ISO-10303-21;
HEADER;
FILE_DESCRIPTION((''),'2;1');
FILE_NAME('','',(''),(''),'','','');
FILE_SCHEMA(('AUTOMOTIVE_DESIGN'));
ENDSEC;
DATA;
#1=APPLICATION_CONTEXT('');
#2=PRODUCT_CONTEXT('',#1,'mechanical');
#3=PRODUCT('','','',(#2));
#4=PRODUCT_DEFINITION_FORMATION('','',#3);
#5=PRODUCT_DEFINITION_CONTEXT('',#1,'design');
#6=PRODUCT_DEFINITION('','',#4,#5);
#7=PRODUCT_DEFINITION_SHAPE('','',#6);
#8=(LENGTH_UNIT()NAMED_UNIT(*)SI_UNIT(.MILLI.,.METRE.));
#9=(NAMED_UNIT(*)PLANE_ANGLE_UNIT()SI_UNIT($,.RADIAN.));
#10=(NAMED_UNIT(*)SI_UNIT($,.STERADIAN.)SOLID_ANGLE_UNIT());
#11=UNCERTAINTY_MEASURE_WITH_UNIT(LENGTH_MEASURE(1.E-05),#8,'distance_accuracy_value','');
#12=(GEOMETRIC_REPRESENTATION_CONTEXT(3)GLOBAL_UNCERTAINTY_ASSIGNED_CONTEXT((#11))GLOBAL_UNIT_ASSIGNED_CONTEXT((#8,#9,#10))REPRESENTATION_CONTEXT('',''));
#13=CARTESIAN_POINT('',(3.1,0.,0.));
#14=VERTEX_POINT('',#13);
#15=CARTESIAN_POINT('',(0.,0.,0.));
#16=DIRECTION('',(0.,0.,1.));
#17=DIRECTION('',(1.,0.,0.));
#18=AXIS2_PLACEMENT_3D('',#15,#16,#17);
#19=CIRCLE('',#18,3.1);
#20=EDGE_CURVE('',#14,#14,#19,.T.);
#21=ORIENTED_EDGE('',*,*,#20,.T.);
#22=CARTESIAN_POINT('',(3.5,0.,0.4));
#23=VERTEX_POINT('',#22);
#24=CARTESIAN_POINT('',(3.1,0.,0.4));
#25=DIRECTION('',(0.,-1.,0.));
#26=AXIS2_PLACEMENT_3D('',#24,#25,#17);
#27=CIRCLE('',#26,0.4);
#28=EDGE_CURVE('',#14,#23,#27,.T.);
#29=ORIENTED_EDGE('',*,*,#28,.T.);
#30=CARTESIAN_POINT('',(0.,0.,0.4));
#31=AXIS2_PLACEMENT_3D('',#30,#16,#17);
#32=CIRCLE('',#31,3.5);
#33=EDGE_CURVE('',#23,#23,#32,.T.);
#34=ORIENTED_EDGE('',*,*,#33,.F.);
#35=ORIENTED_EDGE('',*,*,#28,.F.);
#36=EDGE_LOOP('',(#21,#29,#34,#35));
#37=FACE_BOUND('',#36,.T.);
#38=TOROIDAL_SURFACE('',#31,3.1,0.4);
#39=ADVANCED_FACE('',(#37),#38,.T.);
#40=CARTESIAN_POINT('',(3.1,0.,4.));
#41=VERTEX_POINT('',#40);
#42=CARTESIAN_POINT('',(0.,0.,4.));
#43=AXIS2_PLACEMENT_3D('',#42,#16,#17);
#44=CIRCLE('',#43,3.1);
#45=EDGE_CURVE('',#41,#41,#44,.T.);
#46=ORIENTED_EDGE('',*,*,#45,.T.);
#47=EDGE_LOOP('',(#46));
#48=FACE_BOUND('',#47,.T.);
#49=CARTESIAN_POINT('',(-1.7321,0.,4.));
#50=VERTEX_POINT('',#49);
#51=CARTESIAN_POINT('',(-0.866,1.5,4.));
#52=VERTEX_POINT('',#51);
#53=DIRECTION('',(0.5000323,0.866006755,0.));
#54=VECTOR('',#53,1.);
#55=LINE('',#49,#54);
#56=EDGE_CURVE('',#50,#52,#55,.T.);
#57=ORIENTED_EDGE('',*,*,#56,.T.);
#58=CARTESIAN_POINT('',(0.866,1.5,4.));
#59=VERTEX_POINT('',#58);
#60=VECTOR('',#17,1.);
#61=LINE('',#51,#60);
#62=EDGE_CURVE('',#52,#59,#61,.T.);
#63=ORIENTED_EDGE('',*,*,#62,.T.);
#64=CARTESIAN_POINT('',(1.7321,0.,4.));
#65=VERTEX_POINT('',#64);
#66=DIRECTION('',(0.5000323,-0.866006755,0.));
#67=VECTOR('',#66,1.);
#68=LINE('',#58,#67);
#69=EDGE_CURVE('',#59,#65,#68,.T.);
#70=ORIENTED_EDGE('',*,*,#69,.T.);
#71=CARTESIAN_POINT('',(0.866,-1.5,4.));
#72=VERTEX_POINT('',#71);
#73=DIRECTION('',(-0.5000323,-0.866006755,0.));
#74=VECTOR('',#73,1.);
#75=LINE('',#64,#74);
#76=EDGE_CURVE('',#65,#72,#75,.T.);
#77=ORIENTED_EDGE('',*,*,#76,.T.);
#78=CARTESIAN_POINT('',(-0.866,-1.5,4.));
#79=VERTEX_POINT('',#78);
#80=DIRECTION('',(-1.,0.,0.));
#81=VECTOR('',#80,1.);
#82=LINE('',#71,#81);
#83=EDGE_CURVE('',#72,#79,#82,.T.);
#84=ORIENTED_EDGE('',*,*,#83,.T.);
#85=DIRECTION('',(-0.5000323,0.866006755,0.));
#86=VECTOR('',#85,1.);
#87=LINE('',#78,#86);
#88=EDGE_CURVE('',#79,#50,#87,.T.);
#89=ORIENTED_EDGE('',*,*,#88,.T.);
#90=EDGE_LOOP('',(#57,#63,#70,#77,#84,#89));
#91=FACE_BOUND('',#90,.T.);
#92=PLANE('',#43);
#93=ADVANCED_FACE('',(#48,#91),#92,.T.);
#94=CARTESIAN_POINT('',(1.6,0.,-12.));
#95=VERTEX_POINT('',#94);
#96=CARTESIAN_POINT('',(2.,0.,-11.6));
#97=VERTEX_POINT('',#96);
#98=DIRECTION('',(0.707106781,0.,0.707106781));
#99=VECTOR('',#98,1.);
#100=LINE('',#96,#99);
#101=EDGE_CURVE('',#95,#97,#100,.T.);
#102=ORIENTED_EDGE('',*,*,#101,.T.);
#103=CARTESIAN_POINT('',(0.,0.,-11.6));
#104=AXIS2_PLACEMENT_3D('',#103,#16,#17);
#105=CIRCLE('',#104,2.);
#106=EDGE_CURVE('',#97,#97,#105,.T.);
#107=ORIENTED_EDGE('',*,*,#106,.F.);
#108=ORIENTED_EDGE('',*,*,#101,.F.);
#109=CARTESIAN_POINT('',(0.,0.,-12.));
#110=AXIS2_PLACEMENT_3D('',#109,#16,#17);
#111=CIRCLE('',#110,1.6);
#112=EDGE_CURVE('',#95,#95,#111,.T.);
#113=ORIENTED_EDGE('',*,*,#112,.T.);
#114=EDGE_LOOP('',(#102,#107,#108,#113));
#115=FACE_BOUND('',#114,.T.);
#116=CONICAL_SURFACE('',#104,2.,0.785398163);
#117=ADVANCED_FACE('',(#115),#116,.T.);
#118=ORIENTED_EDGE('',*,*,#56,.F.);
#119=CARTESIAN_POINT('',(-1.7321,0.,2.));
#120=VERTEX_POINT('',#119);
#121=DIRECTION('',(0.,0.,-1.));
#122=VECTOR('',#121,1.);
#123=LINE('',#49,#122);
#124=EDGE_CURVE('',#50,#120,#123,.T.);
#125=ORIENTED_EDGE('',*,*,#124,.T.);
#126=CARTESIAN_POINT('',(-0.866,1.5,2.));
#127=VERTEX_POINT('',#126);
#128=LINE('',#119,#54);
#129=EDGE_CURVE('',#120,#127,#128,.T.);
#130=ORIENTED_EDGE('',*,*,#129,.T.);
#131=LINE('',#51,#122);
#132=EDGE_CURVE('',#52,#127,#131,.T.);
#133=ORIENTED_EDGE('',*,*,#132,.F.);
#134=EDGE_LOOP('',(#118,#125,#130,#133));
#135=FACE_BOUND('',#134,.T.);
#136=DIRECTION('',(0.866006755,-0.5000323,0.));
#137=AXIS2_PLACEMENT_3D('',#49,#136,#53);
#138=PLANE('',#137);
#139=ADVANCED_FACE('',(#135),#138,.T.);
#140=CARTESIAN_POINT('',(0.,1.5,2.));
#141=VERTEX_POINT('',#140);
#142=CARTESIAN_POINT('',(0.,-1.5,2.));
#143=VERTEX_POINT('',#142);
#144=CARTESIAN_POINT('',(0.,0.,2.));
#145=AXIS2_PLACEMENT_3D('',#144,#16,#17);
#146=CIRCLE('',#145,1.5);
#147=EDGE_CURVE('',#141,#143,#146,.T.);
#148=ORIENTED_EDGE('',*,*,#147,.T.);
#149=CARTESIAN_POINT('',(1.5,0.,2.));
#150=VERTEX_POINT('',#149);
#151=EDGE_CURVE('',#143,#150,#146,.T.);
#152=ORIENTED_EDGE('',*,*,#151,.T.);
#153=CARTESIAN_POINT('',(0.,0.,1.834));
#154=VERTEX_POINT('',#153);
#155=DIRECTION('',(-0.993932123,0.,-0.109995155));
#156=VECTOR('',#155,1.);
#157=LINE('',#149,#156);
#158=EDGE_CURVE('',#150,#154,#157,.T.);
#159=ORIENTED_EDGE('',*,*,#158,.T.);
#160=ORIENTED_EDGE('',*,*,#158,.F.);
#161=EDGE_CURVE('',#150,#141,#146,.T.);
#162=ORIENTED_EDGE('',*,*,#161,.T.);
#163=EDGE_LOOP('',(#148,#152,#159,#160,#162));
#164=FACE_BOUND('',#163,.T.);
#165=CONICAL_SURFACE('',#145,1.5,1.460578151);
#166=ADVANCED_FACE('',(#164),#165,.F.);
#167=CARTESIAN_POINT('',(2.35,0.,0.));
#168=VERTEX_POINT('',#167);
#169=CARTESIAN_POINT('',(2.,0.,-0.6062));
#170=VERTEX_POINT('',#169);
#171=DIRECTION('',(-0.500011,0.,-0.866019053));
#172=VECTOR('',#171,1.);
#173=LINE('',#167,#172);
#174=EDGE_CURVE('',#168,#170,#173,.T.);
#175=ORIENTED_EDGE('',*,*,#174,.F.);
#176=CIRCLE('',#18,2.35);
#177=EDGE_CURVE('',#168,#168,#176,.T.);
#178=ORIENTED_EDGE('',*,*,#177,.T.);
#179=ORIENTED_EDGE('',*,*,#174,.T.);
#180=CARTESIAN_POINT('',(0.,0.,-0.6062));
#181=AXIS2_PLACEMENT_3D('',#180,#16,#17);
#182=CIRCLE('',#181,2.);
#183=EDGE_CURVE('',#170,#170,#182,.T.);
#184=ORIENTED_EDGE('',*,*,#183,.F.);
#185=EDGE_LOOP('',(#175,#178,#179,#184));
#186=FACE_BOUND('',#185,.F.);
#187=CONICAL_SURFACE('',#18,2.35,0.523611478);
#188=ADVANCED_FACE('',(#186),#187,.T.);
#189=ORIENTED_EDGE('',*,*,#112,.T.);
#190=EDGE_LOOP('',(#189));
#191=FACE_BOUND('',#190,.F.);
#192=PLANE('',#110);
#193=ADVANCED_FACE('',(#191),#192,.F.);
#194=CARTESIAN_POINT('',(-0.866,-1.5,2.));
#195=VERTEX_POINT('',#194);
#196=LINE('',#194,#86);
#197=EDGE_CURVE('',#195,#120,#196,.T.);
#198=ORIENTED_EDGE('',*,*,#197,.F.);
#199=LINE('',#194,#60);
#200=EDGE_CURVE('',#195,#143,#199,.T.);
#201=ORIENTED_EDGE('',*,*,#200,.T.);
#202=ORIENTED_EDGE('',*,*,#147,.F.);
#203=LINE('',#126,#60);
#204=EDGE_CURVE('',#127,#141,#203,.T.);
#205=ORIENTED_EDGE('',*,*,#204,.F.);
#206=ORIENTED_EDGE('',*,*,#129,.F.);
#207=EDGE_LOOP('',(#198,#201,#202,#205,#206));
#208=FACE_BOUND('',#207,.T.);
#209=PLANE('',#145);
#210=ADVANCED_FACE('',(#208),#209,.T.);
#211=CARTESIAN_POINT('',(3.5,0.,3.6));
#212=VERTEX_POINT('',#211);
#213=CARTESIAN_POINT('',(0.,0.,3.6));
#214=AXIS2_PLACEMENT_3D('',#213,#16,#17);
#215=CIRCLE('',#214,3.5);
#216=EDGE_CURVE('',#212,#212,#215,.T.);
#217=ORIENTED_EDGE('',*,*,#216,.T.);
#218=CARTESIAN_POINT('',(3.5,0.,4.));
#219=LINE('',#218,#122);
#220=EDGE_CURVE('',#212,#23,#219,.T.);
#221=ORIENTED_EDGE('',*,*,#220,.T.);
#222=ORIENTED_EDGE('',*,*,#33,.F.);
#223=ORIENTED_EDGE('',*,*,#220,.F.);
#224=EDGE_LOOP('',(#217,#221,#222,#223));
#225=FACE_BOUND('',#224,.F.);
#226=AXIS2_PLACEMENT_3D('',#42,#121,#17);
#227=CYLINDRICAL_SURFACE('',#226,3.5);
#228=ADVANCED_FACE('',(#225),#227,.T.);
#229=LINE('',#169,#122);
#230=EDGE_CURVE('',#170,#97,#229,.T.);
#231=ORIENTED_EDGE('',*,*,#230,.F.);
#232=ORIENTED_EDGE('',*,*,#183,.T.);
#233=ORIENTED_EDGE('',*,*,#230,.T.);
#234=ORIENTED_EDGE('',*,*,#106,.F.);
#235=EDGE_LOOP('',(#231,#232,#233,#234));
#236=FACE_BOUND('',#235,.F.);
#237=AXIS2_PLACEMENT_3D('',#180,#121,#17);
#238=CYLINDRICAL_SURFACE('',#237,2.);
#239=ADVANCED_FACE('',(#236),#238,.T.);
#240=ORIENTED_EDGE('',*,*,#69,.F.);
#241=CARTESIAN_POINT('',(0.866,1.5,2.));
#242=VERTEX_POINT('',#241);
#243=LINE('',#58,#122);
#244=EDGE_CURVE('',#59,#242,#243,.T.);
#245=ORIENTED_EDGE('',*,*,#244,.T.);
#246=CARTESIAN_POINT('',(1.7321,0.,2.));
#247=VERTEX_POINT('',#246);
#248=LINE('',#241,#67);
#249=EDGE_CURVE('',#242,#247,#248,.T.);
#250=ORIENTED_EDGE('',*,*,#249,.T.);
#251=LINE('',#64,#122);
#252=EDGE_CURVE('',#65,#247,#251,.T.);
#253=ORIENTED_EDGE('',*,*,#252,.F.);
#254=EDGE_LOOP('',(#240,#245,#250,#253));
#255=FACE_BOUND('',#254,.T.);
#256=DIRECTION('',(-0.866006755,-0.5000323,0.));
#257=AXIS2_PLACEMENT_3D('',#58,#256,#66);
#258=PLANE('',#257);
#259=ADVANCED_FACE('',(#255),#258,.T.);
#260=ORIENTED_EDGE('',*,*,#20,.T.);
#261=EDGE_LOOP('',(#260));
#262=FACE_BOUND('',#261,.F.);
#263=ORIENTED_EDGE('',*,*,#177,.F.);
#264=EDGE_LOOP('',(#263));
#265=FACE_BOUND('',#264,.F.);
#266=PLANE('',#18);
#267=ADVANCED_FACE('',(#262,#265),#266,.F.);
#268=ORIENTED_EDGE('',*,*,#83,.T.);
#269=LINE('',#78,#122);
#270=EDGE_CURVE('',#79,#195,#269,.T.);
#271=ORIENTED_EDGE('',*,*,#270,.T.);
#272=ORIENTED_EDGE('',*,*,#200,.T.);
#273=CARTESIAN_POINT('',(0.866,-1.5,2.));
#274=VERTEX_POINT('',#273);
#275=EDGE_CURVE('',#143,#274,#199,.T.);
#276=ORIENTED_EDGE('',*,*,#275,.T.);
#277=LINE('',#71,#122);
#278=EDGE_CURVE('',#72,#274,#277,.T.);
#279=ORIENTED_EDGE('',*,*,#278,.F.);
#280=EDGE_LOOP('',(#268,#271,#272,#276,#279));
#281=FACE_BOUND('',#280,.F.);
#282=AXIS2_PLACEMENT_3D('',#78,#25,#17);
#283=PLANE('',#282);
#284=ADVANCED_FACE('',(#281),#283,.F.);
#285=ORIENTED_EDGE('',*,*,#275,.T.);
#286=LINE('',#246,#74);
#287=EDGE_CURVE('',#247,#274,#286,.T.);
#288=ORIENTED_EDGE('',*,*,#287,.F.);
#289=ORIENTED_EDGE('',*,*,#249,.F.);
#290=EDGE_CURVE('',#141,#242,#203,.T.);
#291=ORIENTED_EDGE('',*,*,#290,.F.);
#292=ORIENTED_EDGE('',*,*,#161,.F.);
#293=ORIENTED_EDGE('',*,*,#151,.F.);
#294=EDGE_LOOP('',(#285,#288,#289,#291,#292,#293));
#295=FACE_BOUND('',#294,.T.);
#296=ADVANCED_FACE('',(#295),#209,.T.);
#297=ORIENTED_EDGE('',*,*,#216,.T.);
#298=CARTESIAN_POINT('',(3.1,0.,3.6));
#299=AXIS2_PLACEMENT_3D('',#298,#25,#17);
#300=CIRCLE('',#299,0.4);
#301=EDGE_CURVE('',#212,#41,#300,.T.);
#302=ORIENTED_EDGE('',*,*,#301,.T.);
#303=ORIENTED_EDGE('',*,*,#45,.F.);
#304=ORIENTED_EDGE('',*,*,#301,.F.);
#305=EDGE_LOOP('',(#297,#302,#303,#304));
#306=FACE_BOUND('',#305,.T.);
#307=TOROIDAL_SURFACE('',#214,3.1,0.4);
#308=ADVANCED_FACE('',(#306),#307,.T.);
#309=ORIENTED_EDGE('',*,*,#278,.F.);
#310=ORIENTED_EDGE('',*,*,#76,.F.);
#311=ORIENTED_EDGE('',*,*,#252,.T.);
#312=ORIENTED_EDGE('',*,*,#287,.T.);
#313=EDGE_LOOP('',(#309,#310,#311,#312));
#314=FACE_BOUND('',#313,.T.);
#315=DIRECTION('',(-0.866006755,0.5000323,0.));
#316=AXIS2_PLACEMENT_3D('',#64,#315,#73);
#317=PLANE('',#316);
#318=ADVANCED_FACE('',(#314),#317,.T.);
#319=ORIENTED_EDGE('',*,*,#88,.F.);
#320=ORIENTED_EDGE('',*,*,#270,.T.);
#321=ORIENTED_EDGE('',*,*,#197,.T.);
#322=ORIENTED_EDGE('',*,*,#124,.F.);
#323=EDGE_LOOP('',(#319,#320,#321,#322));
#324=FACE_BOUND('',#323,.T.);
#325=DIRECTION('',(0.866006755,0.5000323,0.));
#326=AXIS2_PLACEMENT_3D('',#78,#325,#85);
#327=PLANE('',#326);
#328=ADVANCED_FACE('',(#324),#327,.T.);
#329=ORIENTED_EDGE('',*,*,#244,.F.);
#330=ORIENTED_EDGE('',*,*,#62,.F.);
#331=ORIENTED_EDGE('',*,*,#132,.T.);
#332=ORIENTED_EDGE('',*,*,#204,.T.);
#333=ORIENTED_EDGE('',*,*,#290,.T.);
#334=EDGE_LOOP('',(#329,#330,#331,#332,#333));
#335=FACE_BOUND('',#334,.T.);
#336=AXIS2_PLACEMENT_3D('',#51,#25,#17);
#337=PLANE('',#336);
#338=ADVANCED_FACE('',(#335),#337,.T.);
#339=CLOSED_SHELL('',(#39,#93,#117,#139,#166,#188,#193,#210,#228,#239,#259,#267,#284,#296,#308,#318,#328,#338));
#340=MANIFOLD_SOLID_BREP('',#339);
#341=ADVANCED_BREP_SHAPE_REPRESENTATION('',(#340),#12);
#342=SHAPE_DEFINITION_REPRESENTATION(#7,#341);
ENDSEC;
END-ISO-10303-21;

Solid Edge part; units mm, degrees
sketch "Sketch1" plane through (0, 0, 0) normal (0, -1, 0) x (1, 0, 0)
  line L0 (3.5, 4) -> (3.5, 0)
  line L1 (3.5, 0) -> (2.35, 0)
  line L2 (2.35, 0) -> (2, -0.6062)
  line L3 (2, -0.6062) -> (2, -12)
  line L4 (2, -12) -> (0, -12)
  line L5 (1.5, 2) -> (0, 1.834)
  line L6 (1.5, 4) -> (1.5, 2)
  line L7 (3.5, 4) -> (1.5, 4)
  dimension "D1" = 2
  dimension "D2" = 12
  dimension "D3" = 4
revolve "RevolvedProtrusion1" add sketch "Sketch1" angle 360 about axis through (0, 0, -6) along (0, 0, 1)
cosmetic_thread "Thread1" size "M4"
chamfer "mounting_chamfer" distance 0.4 angle 45 1 edges at (-2, 0, -12)
fillet "head_round" radius 0.4 2 edges at (-3.5, 0, 0) (-3.5, 0, 4)
sketch "Sketch2" plane through (0, 0, 4) normal (0, 0, 1) x (0, 1, 0)
  line L0 (-1.5, 0.866) -> (-1.5, -0.866)
  line L1 (0, -1.7321) -> (-1.5, -0.866)
  line L2 (1.5, -0.866) -> (0, -1.7321)
  line L3 (1.5, 0.866) -> (1.5, -0.866)
  line L4 (0, 1.7321) -> (1.5, 0.866)
  line L5 (-1.5, 0.866) -> (0, 1.7321)
extrude "Cutout1" cut sketch "Sketch2" against normal up to vertex (2 mm away)
properties part number "STD-DIN912-M4x12" material "Galvanized steel"
